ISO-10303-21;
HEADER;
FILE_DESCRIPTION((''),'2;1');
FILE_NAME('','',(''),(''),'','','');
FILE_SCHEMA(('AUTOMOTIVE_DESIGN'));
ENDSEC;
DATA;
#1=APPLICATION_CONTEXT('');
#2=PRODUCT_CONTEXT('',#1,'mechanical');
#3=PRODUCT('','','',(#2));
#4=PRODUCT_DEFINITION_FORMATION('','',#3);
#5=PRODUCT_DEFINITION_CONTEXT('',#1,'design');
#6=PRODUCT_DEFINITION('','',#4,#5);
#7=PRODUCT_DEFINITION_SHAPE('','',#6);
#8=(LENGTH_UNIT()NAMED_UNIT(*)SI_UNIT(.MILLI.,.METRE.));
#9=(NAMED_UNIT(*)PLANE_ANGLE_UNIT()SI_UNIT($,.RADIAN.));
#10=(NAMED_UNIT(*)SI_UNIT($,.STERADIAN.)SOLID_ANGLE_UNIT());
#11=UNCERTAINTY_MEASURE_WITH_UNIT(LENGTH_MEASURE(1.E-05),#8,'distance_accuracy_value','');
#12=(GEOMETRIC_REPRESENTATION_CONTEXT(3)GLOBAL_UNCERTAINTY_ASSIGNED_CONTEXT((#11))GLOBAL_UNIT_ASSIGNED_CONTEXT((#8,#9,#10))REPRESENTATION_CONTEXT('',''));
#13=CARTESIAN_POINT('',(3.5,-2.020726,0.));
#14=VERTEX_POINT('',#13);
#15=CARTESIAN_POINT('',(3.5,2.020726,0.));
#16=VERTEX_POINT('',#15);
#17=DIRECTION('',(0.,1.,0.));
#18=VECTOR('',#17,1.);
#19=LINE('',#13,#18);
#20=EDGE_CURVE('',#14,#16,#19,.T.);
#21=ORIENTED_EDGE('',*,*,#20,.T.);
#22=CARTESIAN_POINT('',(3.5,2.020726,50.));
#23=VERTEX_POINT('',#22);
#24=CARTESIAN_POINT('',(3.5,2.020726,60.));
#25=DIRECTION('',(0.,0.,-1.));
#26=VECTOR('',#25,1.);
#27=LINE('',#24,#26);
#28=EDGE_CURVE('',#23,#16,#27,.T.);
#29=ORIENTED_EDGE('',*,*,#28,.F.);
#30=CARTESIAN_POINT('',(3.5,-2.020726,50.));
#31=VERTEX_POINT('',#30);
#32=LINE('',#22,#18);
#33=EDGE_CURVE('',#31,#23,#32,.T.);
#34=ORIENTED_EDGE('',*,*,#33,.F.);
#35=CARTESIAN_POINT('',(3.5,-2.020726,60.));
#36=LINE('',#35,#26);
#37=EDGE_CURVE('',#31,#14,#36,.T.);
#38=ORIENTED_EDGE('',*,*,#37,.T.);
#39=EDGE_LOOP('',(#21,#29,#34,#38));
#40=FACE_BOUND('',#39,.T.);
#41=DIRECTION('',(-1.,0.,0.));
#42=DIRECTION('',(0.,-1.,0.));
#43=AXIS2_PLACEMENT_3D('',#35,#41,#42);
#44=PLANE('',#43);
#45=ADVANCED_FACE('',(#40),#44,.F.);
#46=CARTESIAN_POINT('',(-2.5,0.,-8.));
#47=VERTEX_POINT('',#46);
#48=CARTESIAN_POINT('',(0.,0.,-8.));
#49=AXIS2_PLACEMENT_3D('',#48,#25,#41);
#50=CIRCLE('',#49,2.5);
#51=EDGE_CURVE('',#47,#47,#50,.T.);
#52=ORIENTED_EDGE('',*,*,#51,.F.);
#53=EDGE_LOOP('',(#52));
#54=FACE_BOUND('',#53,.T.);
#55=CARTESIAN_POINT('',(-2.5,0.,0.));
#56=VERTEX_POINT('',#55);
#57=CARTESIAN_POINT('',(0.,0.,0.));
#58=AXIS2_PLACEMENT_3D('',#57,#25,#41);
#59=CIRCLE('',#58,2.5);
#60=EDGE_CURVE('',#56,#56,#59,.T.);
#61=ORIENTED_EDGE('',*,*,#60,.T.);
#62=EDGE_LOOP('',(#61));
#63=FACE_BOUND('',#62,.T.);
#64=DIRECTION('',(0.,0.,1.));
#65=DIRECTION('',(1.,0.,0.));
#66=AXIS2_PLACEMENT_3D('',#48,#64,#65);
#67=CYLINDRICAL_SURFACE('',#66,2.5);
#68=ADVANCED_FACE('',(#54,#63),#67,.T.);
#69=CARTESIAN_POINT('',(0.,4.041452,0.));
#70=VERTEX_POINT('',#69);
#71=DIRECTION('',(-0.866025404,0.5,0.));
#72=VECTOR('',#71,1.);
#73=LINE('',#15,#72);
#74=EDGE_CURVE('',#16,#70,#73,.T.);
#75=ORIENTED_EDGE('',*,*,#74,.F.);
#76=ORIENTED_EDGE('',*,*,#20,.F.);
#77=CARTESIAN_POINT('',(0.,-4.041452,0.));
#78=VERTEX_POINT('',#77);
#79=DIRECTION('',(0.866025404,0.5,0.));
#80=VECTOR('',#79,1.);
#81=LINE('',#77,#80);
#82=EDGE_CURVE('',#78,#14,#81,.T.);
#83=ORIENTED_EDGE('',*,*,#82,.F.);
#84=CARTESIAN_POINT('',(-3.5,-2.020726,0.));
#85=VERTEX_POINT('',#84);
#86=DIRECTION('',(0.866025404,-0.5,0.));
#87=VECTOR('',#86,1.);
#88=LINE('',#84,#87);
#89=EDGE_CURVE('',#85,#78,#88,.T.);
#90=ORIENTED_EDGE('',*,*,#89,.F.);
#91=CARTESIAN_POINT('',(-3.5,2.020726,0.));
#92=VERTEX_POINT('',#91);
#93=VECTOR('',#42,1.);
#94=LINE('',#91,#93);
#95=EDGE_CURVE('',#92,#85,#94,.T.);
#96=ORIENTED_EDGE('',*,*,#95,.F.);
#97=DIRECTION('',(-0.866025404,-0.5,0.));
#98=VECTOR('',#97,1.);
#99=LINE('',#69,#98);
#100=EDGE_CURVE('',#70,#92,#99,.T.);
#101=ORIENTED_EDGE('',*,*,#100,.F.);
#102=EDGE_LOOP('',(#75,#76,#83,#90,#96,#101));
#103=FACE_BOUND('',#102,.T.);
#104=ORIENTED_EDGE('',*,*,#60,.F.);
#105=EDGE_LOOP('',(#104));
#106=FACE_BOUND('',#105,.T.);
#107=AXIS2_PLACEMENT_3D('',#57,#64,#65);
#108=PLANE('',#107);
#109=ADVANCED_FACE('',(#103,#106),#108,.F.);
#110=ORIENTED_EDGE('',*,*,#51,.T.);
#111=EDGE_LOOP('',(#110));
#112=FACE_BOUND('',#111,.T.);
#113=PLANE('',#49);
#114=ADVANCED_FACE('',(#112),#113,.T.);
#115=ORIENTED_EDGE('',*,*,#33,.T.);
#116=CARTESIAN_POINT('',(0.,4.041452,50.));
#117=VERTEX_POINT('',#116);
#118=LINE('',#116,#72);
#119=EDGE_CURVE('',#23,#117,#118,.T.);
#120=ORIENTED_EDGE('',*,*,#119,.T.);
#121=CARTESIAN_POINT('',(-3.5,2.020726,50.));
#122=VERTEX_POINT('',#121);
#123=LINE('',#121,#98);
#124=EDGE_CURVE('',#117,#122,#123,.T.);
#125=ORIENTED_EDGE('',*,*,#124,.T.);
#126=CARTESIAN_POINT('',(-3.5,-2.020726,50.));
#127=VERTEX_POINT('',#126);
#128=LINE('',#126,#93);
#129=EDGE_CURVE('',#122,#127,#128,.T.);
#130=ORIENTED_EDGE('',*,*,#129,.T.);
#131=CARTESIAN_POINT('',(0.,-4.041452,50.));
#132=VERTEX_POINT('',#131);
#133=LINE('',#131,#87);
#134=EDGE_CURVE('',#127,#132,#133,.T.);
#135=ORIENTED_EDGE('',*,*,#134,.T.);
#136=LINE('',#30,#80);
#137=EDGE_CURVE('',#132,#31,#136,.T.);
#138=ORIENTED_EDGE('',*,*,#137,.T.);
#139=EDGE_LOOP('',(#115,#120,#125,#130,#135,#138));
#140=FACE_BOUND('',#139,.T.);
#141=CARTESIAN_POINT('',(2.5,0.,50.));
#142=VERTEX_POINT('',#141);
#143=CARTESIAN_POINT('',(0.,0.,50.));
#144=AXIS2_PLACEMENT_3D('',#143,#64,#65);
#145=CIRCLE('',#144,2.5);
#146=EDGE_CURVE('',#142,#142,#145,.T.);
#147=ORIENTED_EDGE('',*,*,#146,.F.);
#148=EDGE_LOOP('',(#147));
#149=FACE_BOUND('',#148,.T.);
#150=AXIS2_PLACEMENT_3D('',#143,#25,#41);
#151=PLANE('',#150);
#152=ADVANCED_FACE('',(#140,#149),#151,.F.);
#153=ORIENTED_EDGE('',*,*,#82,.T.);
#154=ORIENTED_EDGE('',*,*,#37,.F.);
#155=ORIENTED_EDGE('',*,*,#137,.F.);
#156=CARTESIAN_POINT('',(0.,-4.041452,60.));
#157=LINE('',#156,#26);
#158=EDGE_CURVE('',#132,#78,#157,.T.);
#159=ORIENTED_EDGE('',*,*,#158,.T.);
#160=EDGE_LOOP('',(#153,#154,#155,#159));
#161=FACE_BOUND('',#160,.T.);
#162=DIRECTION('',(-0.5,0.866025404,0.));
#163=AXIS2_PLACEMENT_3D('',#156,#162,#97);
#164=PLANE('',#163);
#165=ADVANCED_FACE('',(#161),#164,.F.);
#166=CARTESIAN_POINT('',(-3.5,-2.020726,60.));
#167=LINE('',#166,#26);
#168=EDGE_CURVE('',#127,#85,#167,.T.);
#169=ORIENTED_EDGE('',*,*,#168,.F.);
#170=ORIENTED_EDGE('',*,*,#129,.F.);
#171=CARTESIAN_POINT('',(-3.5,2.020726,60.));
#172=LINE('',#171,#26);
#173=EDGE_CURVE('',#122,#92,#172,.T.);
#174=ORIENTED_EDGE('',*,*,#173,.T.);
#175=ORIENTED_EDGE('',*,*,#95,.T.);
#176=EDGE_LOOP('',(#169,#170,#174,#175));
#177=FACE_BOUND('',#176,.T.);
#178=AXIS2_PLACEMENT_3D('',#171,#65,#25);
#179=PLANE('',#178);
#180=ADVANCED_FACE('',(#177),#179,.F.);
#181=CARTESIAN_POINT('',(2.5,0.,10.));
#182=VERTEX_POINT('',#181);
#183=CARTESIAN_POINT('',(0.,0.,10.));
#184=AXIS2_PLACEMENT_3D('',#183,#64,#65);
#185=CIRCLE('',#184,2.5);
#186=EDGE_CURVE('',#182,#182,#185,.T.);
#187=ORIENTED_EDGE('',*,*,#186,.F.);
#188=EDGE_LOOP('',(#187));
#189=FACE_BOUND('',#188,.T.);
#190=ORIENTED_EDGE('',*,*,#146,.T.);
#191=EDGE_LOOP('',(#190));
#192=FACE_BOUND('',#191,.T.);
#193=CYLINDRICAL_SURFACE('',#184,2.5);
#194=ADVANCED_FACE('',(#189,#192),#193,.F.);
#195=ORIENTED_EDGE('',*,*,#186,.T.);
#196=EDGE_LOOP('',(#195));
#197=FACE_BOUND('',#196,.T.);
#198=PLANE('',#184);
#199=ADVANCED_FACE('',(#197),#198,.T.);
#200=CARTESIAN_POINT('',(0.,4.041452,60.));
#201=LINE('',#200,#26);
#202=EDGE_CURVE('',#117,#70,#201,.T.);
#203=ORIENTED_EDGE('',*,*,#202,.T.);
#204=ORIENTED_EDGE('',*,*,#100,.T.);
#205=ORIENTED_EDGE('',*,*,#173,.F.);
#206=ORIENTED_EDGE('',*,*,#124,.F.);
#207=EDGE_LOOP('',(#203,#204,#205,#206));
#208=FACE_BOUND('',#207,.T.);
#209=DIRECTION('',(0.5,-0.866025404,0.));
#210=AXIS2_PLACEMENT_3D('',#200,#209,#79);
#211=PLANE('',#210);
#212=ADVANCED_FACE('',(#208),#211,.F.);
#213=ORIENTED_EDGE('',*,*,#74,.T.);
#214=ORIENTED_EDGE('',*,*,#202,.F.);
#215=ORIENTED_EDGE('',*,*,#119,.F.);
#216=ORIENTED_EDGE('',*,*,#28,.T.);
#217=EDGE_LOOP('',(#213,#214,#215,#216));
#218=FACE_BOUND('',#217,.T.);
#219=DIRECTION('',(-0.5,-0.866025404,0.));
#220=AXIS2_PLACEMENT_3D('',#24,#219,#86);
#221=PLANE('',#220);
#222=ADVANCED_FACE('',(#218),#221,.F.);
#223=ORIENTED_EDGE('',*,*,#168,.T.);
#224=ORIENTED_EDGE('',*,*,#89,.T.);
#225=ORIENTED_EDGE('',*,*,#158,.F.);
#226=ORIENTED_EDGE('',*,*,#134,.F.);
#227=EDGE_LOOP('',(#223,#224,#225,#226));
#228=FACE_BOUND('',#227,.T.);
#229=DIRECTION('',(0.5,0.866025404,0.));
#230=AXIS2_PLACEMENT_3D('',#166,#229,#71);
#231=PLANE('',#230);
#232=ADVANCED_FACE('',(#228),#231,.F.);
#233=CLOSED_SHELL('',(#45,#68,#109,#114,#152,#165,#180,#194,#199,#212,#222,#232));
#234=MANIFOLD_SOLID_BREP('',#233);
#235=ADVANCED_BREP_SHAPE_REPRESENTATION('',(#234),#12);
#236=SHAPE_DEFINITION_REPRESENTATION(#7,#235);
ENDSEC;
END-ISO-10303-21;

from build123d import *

# Parameters (mm, degrees)
EXTRUDE_1_DEPTH     = 60
SKETCH_2_R          = 2.5
EXTRUDE_2_DEPTH     = 8
SKETCH_3_R          = 2.5
CUT_EXTRUDE_1_DEPTH = 50
SKETCH_4_R          = 11.437088518
CUT_EXTRUDE_2_DEPTH = 20
EXTRUDE_3_DEPTH     = 5
SKETCH_6_R          = 2.5
CUT_EXTRUDE_3_DEPTH = 16
EXTRUDE_5_DEPTH     = 5
SKETCH_9_R          = 2.5
CUT_EXTRUDE_4_DEPTH = 5


with BuildPart() as part:
    # 草图1 → 凸台-拉伸1 (new body)
    with BuildSketch(Plane.XY):
        Polygon((3.5, -2.020725942), (3.5, 2.020725942), (0, 4.041451884), (-3.5, 2.020725942), (-3.5, -2.020725942), (0, -4.041451884), align=None)
    extrude(amount=EXTRUDE_1_DEPTH)

    # 草图2 → 凸台-拉伸2 (add)
    with BuildSketch(Plane(origin=(0, 0, 0), x_dir=(-1, 0, 0), z_dir=(0, 0, -1))):
        Circle(SKETCH_2_R)
    extrude(amount=EXTRUDE_2_DEPTH)

    # 草图3 → 切除-拉伸1 (cut)
    with BuildSketch(Plane.XY.offset(60)):
        with Locations(Location((0, 0, 0), (0, 0, 180))):
            Circle(SKETCH_3_R)
    extrude(amount=-CUT_EXTRUDE_1_DEPTH, mode=Mode.SUBTRACT)

    # 草图4 → 切除-拉伸2 (cut)
    with BuildSketch(Plane.XY.offset(60)):
        with Locations((-0.3770193, 0.287149771)):
            Circle(SKETCH_4_R)
    extrude(amount=-CUT_EXTRUDE_2_DEPTH, mode=Mode.SUBTRACT)

    # 草图5 → 凸台-拉伸3 (add)
    with BuildSketch(Plane.XY.offset(40)):
        Polygon((0, 4.041451884), (-3.5, 2.020725942), (-3.5, -2.020725942), (0, -4.041451884), (3.5, -2.020725942), (3.5, 2.020725942), align=None)
    extrude(amount=EXTRUDE_3_DEPTH)

    # 草图6 → 切除-拉伸3 (cut)
    with BuildSketch(Plane.XY.offset(45)):
        Circle(SKETCH_6_R)
    extrude(amount=-CUT_EXTRUDE_3_DEPTH, mode=Mode.SUBTRACT)

    # 草图7 → 凸台-拉伸5 (add)
    with BuildSketch(Plane.XY.offset(45)):
        Polygon((-3.5, 2.020725942), (0, 4.041451884), (3.5, 2.020725942), (3.5, -2.020725942), (0, -4.041451884), (-3.5, -2.020725942), align=None)
    extrude(amount=EXTRUDE_5_DEPTH)

    # 草图9 → 切除-拉伸4 (cut)
    with BuildSketch(Plane.XY.offset(50)):
        with Locations(Location((0, 0, 0), (0, 0, 180))):
            Circle(SKETCH_9_R)
    extrude(amount=-CUT_EXTRUDE_4_DEPTH, mode=Mode.SUBTRACT)


solid = part.part
